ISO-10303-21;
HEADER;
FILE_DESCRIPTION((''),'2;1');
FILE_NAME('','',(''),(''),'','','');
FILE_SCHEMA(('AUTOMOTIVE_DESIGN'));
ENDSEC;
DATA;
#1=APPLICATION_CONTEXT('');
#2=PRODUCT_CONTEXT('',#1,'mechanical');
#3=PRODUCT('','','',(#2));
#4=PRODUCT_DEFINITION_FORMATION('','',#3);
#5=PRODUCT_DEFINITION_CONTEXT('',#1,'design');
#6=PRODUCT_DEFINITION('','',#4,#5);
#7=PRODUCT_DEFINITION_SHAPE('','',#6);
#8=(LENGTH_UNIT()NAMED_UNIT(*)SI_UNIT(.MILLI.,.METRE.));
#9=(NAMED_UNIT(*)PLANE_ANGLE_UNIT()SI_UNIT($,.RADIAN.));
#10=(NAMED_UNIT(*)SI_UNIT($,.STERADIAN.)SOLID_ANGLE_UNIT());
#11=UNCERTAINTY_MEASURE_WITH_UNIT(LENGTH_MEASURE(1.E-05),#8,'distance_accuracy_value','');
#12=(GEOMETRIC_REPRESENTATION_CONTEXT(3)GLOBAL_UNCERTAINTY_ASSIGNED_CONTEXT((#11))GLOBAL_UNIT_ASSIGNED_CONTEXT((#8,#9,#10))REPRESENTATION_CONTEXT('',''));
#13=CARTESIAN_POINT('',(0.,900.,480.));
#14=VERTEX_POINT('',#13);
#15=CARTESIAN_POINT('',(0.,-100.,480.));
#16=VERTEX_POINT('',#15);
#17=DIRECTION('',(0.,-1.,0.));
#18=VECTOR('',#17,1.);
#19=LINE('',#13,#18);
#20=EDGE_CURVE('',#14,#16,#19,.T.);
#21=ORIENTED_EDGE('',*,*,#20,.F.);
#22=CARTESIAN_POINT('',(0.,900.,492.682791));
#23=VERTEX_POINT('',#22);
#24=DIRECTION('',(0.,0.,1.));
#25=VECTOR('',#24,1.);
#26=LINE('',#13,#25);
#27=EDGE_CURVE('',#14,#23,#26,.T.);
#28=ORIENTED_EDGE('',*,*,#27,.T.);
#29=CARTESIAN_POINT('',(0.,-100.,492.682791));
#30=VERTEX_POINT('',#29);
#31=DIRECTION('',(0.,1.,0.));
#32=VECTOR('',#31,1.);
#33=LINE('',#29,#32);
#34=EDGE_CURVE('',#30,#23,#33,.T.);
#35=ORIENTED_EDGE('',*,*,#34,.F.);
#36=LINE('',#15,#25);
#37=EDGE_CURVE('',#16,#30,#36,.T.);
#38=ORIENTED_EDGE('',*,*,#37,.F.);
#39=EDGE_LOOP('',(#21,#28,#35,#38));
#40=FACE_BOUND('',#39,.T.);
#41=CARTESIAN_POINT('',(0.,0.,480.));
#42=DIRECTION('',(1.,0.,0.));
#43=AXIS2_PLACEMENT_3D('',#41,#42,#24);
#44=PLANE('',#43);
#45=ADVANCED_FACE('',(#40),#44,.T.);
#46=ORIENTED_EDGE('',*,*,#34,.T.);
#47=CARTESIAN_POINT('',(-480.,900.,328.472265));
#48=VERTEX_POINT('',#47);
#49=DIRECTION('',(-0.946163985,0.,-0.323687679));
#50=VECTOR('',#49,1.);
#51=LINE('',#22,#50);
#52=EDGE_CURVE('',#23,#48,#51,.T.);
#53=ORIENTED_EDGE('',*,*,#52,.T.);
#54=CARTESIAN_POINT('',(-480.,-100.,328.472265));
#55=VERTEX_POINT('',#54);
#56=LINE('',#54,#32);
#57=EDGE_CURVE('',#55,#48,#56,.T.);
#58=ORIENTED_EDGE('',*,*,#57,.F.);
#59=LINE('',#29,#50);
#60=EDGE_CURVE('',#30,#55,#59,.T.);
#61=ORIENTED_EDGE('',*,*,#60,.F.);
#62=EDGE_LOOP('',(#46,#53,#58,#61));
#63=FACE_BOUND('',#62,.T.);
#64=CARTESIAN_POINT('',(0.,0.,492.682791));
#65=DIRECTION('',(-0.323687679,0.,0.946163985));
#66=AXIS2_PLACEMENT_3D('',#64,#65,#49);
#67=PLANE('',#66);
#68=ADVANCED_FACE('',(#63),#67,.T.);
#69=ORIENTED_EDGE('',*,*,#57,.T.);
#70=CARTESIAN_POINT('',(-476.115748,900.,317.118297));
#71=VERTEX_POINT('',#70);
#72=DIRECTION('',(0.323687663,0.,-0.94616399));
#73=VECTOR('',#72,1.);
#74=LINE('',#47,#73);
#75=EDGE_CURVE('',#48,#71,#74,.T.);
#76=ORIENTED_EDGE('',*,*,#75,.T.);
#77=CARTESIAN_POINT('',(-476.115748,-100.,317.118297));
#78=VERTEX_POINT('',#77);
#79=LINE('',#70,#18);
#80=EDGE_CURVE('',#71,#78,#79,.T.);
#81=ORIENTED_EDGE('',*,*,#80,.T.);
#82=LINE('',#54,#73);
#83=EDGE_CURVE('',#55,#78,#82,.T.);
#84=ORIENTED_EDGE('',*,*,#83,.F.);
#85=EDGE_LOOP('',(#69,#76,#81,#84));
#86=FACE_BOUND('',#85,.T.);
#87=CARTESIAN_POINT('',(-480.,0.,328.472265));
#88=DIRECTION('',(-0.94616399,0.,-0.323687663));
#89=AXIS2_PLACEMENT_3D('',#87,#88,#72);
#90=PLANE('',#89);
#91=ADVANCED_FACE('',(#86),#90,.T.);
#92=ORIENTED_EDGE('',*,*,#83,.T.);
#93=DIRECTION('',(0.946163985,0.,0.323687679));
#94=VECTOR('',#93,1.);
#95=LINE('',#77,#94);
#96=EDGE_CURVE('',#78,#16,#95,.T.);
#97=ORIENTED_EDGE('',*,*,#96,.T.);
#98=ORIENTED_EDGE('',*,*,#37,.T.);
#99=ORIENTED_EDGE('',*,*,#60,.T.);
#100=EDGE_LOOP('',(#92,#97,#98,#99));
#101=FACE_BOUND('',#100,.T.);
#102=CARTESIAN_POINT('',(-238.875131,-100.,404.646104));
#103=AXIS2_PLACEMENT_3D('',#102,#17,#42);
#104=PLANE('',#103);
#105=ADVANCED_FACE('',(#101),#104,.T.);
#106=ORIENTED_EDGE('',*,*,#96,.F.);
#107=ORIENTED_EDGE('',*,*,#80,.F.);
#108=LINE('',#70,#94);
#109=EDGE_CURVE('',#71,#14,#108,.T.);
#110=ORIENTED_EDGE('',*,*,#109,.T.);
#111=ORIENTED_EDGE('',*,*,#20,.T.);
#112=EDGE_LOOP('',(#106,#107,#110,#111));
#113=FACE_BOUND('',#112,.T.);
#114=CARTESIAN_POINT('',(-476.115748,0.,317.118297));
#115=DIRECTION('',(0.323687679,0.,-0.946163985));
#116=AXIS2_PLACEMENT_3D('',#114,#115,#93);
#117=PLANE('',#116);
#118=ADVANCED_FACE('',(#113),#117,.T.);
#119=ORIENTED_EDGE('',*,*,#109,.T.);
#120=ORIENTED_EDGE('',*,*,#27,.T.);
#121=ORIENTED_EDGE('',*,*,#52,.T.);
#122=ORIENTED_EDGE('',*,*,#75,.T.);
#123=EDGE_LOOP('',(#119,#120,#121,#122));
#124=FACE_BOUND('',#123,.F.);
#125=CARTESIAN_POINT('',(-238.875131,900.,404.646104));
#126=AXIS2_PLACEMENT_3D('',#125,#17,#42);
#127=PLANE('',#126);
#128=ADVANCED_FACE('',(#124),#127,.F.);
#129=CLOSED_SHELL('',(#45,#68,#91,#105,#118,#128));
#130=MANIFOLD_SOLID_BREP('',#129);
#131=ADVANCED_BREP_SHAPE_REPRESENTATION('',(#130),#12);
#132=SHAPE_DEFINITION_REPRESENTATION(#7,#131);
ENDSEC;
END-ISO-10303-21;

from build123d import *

# Parameters (mm, degrees)
F1_DEPTH      = 12
F2_DEPTH      = 100
F2_DEPTH_BACK = 900


with BuildPart() as f1:
    # F0 (on Front) → F1 (new body)
    with BuildSketch(Plane.XZ):
        Polygon((-480, 328.472265), (-476.115748, 317.118297), (0, 480), (0, 492.682791), align=None)
    extrude(amount=F1_DEPTH)

    # F0 (on Front) → F2 (join, two sides)
    with BuildSketch(Plane.XZ) as f2_sk:
        Polygon((-480, 328.472265), (-476.115748, 317.118297), (0, 480), (0, 492.682791), align=None)
    extrude(amount=F2_DEPTH)
    extrude(f2_sk.sketch, amount=-F2_DEPTH_BACK)


solid = f1.part
